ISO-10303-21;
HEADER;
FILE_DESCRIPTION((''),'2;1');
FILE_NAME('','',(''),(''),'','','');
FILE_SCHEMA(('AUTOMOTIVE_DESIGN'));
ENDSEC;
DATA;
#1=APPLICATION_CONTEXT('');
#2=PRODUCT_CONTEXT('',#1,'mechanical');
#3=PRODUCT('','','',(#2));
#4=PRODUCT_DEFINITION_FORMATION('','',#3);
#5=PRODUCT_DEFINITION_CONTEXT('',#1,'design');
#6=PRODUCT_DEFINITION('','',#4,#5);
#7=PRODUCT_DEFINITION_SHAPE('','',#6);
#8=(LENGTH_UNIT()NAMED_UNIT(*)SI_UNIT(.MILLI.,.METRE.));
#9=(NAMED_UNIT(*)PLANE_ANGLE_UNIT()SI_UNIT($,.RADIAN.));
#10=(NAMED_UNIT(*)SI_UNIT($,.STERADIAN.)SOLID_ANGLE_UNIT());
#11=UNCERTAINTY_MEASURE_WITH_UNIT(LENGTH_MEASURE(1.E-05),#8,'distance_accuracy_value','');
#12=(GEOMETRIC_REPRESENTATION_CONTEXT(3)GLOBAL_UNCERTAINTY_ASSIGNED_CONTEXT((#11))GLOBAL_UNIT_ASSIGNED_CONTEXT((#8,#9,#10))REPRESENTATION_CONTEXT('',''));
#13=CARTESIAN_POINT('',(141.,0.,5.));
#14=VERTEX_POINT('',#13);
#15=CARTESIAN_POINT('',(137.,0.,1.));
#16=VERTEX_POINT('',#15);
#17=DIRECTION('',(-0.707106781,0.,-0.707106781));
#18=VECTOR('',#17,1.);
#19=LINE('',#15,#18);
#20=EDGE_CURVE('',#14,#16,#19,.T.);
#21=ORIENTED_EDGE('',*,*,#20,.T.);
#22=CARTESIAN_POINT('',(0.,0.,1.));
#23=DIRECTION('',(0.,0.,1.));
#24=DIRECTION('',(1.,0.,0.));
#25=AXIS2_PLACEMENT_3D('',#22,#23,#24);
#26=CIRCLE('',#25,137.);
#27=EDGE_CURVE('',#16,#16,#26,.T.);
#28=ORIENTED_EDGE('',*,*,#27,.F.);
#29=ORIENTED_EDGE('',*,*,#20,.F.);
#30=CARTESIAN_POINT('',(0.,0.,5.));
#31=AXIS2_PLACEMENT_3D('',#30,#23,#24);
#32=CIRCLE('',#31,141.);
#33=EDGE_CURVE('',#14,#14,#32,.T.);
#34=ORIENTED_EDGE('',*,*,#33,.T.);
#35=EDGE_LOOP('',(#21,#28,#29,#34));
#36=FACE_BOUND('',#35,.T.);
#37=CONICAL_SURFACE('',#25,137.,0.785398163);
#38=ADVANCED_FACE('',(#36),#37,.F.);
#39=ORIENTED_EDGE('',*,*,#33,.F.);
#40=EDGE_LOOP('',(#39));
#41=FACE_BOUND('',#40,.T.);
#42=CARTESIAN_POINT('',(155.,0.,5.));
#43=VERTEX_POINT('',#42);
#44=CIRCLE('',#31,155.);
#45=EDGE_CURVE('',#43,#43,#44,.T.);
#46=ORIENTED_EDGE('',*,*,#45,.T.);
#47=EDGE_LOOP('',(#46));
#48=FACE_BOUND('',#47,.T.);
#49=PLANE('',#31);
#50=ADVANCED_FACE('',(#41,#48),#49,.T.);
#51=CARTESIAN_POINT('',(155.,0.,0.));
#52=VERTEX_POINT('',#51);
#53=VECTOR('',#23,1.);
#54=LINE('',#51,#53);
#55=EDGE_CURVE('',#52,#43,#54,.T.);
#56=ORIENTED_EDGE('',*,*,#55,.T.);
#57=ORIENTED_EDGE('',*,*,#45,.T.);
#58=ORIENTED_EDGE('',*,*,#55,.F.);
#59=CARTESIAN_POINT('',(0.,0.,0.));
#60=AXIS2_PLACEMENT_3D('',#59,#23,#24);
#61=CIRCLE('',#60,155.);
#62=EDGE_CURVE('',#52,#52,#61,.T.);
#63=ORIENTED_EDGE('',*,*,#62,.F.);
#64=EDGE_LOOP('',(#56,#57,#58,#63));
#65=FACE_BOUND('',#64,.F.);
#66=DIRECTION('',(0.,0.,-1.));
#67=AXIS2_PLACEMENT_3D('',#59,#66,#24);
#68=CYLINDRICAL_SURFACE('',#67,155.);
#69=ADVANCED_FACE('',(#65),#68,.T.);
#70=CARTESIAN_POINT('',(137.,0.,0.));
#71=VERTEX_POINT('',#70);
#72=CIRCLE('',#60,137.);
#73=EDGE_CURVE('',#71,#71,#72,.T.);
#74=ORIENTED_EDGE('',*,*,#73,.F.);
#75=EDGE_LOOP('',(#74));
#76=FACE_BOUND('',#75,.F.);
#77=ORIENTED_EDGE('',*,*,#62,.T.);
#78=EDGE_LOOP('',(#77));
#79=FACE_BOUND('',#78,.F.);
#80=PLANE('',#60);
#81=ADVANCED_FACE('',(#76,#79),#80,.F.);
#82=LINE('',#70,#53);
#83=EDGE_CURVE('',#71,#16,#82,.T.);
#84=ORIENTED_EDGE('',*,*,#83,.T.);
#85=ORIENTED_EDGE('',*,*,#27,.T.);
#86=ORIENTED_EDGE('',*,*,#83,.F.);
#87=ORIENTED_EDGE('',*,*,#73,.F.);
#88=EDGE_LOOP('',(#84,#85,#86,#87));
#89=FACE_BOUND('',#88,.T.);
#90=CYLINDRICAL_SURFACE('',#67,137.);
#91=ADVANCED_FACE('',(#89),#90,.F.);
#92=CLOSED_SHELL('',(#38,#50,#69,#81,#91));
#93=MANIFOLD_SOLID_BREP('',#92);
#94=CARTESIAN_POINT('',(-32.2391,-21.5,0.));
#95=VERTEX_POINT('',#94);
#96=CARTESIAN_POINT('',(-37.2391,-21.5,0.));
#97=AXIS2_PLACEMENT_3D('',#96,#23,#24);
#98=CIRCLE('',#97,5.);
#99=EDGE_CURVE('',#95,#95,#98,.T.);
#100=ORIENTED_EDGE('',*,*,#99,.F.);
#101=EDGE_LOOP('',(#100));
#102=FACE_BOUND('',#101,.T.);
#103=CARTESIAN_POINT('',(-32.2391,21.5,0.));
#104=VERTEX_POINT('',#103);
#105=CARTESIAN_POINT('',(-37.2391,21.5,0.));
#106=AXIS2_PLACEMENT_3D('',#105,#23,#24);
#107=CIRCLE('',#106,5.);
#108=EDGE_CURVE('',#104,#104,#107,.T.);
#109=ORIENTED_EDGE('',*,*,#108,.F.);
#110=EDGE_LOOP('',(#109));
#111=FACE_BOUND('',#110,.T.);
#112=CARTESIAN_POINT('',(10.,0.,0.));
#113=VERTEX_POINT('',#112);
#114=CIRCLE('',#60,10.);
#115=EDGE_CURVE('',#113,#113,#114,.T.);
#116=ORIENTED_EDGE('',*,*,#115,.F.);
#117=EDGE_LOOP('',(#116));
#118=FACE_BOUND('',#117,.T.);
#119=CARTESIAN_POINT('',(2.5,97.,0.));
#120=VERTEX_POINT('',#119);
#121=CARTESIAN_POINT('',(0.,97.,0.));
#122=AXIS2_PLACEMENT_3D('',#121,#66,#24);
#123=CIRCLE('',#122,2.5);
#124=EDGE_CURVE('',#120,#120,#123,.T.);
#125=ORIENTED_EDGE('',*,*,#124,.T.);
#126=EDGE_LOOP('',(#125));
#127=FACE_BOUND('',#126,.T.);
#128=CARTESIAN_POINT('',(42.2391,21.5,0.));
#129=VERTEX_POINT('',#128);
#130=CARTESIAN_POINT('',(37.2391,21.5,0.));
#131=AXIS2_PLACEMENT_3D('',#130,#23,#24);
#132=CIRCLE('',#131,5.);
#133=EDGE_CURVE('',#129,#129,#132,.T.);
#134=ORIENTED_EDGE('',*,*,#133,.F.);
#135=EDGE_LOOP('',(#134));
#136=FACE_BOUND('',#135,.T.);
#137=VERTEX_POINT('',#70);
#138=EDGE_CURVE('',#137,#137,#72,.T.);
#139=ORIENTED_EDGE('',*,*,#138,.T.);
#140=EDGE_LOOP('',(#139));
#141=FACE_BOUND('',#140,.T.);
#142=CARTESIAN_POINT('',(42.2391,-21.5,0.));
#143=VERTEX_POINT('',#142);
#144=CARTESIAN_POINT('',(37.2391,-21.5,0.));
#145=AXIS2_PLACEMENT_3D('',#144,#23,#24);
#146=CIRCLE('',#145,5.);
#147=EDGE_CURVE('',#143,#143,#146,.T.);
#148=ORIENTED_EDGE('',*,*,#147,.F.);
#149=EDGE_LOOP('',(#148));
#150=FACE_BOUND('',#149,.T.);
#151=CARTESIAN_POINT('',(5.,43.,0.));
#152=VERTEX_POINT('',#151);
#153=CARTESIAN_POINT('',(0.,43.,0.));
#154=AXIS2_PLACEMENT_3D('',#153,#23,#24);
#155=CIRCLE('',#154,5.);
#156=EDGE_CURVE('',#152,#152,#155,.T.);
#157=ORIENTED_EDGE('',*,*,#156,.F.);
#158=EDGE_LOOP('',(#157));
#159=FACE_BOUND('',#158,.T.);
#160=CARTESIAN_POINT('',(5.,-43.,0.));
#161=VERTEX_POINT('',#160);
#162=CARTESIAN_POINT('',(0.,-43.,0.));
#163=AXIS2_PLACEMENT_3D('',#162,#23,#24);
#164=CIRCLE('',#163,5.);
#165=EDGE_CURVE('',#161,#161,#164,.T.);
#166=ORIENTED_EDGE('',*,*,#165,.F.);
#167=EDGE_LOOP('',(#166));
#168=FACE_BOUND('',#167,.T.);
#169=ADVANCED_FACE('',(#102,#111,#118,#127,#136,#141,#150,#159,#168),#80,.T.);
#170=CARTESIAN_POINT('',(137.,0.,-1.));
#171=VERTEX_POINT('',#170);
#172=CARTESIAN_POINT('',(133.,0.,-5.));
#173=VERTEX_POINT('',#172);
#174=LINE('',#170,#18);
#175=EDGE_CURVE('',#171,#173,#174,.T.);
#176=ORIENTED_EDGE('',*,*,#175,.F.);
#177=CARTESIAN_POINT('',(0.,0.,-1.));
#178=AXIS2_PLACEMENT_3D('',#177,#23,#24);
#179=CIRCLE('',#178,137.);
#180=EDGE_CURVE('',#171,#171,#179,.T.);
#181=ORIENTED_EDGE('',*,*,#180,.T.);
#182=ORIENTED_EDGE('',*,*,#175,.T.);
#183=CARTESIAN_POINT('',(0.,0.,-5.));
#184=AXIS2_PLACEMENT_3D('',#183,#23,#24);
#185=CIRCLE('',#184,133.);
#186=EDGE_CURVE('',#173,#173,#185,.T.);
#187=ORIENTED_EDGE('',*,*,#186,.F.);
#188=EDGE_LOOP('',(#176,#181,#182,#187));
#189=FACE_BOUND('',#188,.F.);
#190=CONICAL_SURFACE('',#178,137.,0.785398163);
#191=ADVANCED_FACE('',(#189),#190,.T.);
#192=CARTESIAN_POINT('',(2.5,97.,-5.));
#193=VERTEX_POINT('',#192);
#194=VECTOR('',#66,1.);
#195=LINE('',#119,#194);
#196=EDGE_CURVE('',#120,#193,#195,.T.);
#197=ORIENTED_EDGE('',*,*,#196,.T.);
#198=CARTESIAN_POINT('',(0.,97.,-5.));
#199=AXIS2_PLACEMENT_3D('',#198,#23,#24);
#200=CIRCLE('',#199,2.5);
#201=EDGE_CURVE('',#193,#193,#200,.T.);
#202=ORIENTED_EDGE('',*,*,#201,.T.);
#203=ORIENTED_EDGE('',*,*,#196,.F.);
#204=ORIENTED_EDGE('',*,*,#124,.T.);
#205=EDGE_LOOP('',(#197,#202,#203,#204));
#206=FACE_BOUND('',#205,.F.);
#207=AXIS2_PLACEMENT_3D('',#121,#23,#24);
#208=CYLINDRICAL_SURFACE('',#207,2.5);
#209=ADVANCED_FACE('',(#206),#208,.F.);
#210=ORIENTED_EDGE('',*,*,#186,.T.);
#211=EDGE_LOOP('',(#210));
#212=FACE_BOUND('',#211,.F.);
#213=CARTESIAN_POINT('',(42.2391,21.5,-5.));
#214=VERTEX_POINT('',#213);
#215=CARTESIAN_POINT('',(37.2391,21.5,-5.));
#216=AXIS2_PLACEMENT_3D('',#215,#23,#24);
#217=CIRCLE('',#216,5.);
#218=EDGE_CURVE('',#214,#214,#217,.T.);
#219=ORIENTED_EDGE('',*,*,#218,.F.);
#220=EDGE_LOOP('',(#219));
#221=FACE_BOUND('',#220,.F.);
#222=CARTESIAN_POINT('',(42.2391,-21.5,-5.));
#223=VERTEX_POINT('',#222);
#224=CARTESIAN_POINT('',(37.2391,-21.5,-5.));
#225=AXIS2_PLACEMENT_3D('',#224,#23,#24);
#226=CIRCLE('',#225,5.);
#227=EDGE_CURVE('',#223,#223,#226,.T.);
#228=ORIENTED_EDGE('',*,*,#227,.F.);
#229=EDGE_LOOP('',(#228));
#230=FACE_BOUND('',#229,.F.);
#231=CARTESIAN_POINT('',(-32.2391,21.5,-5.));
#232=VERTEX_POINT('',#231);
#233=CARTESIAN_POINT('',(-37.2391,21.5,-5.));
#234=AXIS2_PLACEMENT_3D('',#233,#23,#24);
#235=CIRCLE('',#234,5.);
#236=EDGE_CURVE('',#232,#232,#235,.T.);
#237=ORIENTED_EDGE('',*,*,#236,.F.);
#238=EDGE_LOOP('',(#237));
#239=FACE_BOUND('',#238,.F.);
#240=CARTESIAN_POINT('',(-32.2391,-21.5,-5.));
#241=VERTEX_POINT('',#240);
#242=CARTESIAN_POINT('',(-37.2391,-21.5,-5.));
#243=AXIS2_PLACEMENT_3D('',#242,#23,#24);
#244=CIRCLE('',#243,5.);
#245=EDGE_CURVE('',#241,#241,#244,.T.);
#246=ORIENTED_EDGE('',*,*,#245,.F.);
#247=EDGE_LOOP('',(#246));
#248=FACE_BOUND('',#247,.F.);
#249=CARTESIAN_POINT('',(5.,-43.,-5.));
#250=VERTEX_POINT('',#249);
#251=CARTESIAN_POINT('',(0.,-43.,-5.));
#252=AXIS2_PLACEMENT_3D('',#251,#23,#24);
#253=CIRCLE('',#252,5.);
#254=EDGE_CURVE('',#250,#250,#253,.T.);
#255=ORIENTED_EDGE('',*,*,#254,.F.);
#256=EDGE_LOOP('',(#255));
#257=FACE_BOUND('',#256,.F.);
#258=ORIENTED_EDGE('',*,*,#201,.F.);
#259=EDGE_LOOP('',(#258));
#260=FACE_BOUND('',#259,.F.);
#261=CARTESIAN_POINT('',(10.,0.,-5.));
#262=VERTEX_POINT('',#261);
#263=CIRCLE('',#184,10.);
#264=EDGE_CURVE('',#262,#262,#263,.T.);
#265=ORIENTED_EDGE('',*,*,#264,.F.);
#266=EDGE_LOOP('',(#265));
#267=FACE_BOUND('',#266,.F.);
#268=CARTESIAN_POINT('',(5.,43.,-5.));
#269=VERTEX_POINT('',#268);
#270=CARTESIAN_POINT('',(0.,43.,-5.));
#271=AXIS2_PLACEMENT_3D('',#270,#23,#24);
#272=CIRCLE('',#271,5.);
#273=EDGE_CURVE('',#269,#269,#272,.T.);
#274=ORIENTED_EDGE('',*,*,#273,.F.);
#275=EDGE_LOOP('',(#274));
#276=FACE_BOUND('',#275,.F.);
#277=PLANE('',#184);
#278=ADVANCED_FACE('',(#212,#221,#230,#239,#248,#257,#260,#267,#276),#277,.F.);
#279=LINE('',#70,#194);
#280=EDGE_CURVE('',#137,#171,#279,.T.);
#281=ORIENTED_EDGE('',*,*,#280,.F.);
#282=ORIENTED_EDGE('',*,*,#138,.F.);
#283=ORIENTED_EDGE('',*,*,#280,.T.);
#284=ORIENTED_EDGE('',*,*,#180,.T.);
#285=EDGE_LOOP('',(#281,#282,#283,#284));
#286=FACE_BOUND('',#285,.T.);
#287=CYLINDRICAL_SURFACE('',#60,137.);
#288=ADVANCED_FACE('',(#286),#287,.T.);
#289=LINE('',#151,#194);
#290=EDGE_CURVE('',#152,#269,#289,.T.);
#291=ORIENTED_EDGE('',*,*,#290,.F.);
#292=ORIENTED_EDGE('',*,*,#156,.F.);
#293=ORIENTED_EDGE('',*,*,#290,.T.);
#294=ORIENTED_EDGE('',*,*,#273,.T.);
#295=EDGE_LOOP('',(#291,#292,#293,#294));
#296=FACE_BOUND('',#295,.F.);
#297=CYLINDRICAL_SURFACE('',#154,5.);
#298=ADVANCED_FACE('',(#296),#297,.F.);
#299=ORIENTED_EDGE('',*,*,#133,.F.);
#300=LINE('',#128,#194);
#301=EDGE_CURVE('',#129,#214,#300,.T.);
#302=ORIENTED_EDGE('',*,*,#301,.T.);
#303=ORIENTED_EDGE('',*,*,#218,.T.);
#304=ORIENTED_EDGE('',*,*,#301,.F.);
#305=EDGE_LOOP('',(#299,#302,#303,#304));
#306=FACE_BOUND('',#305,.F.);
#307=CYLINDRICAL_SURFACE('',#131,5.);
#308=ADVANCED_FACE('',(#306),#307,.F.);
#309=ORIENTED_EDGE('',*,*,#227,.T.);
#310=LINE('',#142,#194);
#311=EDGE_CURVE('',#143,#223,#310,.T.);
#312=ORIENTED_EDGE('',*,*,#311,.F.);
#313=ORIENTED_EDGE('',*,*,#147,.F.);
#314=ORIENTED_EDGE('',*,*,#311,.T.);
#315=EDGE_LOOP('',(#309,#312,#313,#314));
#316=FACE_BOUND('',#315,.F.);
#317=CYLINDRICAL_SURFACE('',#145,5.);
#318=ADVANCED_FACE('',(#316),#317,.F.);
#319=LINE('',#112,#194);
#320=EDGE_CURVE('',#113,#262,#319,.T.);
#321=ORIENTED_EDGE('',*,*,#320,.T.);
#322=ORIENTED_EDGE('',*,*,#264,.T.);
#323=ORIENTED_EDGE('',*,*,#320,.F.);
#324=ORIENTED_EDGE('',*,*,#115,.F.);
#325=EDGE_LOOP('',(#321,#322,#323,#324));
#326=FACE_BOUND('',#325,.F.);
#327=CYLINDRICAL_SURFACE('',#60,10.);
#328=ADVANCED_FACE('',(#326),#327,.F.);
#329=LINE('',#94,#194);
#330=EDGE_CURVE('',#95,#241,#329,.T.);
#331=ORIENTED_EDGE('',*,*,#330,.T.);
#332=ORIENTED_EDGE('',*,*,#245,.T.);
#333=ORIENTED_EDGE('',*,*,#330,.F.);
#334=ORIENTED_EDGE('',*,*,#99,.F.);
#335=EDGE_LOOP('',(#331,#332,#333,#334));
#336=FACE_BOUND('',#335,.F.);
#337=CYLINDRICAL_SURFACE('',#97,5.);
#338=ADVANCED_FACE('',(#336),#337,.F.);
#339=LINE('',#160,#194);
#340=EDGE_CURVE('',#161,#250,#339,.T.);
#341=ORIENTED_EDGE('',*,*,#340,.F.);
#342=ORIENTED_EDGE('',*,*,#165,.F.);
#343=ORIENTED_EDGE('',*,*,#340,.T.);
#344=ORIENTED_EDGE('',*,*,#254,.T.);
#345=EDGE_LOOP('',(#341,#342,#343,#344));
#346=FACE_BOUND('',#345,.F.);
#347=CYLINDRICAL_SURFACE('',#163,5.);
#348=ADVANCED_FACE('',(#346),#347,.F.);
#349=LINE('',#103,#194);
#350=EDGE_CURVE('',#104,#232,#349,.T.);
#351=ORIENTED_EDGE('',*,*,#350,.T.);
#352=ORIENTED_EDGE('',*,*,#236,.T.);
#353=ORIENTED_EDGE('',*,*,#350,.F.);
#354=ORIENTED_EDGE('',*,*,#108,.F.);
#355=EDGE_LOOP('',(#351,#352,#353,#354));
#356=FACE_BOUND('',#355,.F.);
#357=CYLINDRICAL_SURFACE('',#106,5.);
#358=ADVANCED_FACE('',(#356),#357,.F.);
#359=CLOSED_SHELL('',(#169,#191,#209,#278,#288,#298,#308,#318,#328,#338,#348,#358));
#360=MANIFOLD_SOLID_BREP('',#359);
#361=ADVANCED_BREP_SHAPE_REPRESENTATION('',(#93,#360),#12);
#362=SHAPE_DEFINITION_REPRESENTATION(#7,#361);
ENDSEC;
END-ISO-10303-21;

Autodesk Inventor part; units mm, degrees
ref_plane "YZ Plane" through (0, 0, 0) normal (1, 0, 0) x (0, 1, 0)
ref_plane "XZ Plane" through (0, 0, 0) normal (0, 1, 0) x (-1, 0, 0)
sketch "Sketch1" plane through (0, 0, 0) normal (0, 0, 1) x (1, 0, 0)
  circle A0 centre (0, 0) radius 155
  circle A1 centre (0, 0) radius 10
  circle A2 centre (0, 0) radius 137
  dimension "d0" = 310
  dimension "d1" = 20
  dimension "d2" = 274
extrude "Extrusion1" add sketch "Sketch1" along normal blind 5 contours A0
extrude "Extrusion2" add sketch "Sketch1" against normal blind 5 contours A2
sketch "Sketch2" plane through (0, 0, 0) normal (0, 0, 1) x (1, 0, 0)
  circle A0 centre (0, 43) radius 5
  circle A1 centre (-37.2391, 21.5) radius 5
  circle A2 centre (-37.2391, -21.5) radius 5
  circle A3 centre (0, -43) radius 5
  circle A4 centre (37.2391, -21.5) radius 5
  circle A5 centre (37.2391, 21.5) radius 5
  point P0 (0, 0)
  point P1 (0, 0)
  point P2 (0, 0)
  point P3 (0, 0)
  point P4 (0, 0)
  point P5 (0, 0)
  point P6 (0, 0)
  point P7 (0, 0)
  point P8 (0, 0)
  point P9 (0, 0)
  point P10 (0, 0)
  point P11 (0, 0)
  dimension "d10" = 10
  dimension "d11" = 43
  dimension "d9" = 360
extrude "Extrusion3" cut sketch "Sketch2" against normal blind 5
chamfer "Chamfer1" distance 4 angle 45 1 edges at (-137, 0, 5)
chamfer "Chamfer2" distance 4 angle 45 1 edges at (-137, 0, -5)
ref_plane "Work Plane1" through (0, 0, 0) normal (0, 0, 1) x (1, 0, 0)
sketch "Sketch3" plane through (0, 0, 0) normal (0, 0, 1) x (1, 0, 0)
  circle A0 centre (0, 97) radius 2.5
  line L0 (0, 97) -> (0, 137)
  circle A1 centre (0, 0) radius 137 projected
  dimension "d23" = 5
  dimension "d26" = 40
extrude "Extrusion4" cut sketch "Sketch3" against normal blind 5 contours A0
properties part number "FrontDisk" material "Steel, Alloy"
